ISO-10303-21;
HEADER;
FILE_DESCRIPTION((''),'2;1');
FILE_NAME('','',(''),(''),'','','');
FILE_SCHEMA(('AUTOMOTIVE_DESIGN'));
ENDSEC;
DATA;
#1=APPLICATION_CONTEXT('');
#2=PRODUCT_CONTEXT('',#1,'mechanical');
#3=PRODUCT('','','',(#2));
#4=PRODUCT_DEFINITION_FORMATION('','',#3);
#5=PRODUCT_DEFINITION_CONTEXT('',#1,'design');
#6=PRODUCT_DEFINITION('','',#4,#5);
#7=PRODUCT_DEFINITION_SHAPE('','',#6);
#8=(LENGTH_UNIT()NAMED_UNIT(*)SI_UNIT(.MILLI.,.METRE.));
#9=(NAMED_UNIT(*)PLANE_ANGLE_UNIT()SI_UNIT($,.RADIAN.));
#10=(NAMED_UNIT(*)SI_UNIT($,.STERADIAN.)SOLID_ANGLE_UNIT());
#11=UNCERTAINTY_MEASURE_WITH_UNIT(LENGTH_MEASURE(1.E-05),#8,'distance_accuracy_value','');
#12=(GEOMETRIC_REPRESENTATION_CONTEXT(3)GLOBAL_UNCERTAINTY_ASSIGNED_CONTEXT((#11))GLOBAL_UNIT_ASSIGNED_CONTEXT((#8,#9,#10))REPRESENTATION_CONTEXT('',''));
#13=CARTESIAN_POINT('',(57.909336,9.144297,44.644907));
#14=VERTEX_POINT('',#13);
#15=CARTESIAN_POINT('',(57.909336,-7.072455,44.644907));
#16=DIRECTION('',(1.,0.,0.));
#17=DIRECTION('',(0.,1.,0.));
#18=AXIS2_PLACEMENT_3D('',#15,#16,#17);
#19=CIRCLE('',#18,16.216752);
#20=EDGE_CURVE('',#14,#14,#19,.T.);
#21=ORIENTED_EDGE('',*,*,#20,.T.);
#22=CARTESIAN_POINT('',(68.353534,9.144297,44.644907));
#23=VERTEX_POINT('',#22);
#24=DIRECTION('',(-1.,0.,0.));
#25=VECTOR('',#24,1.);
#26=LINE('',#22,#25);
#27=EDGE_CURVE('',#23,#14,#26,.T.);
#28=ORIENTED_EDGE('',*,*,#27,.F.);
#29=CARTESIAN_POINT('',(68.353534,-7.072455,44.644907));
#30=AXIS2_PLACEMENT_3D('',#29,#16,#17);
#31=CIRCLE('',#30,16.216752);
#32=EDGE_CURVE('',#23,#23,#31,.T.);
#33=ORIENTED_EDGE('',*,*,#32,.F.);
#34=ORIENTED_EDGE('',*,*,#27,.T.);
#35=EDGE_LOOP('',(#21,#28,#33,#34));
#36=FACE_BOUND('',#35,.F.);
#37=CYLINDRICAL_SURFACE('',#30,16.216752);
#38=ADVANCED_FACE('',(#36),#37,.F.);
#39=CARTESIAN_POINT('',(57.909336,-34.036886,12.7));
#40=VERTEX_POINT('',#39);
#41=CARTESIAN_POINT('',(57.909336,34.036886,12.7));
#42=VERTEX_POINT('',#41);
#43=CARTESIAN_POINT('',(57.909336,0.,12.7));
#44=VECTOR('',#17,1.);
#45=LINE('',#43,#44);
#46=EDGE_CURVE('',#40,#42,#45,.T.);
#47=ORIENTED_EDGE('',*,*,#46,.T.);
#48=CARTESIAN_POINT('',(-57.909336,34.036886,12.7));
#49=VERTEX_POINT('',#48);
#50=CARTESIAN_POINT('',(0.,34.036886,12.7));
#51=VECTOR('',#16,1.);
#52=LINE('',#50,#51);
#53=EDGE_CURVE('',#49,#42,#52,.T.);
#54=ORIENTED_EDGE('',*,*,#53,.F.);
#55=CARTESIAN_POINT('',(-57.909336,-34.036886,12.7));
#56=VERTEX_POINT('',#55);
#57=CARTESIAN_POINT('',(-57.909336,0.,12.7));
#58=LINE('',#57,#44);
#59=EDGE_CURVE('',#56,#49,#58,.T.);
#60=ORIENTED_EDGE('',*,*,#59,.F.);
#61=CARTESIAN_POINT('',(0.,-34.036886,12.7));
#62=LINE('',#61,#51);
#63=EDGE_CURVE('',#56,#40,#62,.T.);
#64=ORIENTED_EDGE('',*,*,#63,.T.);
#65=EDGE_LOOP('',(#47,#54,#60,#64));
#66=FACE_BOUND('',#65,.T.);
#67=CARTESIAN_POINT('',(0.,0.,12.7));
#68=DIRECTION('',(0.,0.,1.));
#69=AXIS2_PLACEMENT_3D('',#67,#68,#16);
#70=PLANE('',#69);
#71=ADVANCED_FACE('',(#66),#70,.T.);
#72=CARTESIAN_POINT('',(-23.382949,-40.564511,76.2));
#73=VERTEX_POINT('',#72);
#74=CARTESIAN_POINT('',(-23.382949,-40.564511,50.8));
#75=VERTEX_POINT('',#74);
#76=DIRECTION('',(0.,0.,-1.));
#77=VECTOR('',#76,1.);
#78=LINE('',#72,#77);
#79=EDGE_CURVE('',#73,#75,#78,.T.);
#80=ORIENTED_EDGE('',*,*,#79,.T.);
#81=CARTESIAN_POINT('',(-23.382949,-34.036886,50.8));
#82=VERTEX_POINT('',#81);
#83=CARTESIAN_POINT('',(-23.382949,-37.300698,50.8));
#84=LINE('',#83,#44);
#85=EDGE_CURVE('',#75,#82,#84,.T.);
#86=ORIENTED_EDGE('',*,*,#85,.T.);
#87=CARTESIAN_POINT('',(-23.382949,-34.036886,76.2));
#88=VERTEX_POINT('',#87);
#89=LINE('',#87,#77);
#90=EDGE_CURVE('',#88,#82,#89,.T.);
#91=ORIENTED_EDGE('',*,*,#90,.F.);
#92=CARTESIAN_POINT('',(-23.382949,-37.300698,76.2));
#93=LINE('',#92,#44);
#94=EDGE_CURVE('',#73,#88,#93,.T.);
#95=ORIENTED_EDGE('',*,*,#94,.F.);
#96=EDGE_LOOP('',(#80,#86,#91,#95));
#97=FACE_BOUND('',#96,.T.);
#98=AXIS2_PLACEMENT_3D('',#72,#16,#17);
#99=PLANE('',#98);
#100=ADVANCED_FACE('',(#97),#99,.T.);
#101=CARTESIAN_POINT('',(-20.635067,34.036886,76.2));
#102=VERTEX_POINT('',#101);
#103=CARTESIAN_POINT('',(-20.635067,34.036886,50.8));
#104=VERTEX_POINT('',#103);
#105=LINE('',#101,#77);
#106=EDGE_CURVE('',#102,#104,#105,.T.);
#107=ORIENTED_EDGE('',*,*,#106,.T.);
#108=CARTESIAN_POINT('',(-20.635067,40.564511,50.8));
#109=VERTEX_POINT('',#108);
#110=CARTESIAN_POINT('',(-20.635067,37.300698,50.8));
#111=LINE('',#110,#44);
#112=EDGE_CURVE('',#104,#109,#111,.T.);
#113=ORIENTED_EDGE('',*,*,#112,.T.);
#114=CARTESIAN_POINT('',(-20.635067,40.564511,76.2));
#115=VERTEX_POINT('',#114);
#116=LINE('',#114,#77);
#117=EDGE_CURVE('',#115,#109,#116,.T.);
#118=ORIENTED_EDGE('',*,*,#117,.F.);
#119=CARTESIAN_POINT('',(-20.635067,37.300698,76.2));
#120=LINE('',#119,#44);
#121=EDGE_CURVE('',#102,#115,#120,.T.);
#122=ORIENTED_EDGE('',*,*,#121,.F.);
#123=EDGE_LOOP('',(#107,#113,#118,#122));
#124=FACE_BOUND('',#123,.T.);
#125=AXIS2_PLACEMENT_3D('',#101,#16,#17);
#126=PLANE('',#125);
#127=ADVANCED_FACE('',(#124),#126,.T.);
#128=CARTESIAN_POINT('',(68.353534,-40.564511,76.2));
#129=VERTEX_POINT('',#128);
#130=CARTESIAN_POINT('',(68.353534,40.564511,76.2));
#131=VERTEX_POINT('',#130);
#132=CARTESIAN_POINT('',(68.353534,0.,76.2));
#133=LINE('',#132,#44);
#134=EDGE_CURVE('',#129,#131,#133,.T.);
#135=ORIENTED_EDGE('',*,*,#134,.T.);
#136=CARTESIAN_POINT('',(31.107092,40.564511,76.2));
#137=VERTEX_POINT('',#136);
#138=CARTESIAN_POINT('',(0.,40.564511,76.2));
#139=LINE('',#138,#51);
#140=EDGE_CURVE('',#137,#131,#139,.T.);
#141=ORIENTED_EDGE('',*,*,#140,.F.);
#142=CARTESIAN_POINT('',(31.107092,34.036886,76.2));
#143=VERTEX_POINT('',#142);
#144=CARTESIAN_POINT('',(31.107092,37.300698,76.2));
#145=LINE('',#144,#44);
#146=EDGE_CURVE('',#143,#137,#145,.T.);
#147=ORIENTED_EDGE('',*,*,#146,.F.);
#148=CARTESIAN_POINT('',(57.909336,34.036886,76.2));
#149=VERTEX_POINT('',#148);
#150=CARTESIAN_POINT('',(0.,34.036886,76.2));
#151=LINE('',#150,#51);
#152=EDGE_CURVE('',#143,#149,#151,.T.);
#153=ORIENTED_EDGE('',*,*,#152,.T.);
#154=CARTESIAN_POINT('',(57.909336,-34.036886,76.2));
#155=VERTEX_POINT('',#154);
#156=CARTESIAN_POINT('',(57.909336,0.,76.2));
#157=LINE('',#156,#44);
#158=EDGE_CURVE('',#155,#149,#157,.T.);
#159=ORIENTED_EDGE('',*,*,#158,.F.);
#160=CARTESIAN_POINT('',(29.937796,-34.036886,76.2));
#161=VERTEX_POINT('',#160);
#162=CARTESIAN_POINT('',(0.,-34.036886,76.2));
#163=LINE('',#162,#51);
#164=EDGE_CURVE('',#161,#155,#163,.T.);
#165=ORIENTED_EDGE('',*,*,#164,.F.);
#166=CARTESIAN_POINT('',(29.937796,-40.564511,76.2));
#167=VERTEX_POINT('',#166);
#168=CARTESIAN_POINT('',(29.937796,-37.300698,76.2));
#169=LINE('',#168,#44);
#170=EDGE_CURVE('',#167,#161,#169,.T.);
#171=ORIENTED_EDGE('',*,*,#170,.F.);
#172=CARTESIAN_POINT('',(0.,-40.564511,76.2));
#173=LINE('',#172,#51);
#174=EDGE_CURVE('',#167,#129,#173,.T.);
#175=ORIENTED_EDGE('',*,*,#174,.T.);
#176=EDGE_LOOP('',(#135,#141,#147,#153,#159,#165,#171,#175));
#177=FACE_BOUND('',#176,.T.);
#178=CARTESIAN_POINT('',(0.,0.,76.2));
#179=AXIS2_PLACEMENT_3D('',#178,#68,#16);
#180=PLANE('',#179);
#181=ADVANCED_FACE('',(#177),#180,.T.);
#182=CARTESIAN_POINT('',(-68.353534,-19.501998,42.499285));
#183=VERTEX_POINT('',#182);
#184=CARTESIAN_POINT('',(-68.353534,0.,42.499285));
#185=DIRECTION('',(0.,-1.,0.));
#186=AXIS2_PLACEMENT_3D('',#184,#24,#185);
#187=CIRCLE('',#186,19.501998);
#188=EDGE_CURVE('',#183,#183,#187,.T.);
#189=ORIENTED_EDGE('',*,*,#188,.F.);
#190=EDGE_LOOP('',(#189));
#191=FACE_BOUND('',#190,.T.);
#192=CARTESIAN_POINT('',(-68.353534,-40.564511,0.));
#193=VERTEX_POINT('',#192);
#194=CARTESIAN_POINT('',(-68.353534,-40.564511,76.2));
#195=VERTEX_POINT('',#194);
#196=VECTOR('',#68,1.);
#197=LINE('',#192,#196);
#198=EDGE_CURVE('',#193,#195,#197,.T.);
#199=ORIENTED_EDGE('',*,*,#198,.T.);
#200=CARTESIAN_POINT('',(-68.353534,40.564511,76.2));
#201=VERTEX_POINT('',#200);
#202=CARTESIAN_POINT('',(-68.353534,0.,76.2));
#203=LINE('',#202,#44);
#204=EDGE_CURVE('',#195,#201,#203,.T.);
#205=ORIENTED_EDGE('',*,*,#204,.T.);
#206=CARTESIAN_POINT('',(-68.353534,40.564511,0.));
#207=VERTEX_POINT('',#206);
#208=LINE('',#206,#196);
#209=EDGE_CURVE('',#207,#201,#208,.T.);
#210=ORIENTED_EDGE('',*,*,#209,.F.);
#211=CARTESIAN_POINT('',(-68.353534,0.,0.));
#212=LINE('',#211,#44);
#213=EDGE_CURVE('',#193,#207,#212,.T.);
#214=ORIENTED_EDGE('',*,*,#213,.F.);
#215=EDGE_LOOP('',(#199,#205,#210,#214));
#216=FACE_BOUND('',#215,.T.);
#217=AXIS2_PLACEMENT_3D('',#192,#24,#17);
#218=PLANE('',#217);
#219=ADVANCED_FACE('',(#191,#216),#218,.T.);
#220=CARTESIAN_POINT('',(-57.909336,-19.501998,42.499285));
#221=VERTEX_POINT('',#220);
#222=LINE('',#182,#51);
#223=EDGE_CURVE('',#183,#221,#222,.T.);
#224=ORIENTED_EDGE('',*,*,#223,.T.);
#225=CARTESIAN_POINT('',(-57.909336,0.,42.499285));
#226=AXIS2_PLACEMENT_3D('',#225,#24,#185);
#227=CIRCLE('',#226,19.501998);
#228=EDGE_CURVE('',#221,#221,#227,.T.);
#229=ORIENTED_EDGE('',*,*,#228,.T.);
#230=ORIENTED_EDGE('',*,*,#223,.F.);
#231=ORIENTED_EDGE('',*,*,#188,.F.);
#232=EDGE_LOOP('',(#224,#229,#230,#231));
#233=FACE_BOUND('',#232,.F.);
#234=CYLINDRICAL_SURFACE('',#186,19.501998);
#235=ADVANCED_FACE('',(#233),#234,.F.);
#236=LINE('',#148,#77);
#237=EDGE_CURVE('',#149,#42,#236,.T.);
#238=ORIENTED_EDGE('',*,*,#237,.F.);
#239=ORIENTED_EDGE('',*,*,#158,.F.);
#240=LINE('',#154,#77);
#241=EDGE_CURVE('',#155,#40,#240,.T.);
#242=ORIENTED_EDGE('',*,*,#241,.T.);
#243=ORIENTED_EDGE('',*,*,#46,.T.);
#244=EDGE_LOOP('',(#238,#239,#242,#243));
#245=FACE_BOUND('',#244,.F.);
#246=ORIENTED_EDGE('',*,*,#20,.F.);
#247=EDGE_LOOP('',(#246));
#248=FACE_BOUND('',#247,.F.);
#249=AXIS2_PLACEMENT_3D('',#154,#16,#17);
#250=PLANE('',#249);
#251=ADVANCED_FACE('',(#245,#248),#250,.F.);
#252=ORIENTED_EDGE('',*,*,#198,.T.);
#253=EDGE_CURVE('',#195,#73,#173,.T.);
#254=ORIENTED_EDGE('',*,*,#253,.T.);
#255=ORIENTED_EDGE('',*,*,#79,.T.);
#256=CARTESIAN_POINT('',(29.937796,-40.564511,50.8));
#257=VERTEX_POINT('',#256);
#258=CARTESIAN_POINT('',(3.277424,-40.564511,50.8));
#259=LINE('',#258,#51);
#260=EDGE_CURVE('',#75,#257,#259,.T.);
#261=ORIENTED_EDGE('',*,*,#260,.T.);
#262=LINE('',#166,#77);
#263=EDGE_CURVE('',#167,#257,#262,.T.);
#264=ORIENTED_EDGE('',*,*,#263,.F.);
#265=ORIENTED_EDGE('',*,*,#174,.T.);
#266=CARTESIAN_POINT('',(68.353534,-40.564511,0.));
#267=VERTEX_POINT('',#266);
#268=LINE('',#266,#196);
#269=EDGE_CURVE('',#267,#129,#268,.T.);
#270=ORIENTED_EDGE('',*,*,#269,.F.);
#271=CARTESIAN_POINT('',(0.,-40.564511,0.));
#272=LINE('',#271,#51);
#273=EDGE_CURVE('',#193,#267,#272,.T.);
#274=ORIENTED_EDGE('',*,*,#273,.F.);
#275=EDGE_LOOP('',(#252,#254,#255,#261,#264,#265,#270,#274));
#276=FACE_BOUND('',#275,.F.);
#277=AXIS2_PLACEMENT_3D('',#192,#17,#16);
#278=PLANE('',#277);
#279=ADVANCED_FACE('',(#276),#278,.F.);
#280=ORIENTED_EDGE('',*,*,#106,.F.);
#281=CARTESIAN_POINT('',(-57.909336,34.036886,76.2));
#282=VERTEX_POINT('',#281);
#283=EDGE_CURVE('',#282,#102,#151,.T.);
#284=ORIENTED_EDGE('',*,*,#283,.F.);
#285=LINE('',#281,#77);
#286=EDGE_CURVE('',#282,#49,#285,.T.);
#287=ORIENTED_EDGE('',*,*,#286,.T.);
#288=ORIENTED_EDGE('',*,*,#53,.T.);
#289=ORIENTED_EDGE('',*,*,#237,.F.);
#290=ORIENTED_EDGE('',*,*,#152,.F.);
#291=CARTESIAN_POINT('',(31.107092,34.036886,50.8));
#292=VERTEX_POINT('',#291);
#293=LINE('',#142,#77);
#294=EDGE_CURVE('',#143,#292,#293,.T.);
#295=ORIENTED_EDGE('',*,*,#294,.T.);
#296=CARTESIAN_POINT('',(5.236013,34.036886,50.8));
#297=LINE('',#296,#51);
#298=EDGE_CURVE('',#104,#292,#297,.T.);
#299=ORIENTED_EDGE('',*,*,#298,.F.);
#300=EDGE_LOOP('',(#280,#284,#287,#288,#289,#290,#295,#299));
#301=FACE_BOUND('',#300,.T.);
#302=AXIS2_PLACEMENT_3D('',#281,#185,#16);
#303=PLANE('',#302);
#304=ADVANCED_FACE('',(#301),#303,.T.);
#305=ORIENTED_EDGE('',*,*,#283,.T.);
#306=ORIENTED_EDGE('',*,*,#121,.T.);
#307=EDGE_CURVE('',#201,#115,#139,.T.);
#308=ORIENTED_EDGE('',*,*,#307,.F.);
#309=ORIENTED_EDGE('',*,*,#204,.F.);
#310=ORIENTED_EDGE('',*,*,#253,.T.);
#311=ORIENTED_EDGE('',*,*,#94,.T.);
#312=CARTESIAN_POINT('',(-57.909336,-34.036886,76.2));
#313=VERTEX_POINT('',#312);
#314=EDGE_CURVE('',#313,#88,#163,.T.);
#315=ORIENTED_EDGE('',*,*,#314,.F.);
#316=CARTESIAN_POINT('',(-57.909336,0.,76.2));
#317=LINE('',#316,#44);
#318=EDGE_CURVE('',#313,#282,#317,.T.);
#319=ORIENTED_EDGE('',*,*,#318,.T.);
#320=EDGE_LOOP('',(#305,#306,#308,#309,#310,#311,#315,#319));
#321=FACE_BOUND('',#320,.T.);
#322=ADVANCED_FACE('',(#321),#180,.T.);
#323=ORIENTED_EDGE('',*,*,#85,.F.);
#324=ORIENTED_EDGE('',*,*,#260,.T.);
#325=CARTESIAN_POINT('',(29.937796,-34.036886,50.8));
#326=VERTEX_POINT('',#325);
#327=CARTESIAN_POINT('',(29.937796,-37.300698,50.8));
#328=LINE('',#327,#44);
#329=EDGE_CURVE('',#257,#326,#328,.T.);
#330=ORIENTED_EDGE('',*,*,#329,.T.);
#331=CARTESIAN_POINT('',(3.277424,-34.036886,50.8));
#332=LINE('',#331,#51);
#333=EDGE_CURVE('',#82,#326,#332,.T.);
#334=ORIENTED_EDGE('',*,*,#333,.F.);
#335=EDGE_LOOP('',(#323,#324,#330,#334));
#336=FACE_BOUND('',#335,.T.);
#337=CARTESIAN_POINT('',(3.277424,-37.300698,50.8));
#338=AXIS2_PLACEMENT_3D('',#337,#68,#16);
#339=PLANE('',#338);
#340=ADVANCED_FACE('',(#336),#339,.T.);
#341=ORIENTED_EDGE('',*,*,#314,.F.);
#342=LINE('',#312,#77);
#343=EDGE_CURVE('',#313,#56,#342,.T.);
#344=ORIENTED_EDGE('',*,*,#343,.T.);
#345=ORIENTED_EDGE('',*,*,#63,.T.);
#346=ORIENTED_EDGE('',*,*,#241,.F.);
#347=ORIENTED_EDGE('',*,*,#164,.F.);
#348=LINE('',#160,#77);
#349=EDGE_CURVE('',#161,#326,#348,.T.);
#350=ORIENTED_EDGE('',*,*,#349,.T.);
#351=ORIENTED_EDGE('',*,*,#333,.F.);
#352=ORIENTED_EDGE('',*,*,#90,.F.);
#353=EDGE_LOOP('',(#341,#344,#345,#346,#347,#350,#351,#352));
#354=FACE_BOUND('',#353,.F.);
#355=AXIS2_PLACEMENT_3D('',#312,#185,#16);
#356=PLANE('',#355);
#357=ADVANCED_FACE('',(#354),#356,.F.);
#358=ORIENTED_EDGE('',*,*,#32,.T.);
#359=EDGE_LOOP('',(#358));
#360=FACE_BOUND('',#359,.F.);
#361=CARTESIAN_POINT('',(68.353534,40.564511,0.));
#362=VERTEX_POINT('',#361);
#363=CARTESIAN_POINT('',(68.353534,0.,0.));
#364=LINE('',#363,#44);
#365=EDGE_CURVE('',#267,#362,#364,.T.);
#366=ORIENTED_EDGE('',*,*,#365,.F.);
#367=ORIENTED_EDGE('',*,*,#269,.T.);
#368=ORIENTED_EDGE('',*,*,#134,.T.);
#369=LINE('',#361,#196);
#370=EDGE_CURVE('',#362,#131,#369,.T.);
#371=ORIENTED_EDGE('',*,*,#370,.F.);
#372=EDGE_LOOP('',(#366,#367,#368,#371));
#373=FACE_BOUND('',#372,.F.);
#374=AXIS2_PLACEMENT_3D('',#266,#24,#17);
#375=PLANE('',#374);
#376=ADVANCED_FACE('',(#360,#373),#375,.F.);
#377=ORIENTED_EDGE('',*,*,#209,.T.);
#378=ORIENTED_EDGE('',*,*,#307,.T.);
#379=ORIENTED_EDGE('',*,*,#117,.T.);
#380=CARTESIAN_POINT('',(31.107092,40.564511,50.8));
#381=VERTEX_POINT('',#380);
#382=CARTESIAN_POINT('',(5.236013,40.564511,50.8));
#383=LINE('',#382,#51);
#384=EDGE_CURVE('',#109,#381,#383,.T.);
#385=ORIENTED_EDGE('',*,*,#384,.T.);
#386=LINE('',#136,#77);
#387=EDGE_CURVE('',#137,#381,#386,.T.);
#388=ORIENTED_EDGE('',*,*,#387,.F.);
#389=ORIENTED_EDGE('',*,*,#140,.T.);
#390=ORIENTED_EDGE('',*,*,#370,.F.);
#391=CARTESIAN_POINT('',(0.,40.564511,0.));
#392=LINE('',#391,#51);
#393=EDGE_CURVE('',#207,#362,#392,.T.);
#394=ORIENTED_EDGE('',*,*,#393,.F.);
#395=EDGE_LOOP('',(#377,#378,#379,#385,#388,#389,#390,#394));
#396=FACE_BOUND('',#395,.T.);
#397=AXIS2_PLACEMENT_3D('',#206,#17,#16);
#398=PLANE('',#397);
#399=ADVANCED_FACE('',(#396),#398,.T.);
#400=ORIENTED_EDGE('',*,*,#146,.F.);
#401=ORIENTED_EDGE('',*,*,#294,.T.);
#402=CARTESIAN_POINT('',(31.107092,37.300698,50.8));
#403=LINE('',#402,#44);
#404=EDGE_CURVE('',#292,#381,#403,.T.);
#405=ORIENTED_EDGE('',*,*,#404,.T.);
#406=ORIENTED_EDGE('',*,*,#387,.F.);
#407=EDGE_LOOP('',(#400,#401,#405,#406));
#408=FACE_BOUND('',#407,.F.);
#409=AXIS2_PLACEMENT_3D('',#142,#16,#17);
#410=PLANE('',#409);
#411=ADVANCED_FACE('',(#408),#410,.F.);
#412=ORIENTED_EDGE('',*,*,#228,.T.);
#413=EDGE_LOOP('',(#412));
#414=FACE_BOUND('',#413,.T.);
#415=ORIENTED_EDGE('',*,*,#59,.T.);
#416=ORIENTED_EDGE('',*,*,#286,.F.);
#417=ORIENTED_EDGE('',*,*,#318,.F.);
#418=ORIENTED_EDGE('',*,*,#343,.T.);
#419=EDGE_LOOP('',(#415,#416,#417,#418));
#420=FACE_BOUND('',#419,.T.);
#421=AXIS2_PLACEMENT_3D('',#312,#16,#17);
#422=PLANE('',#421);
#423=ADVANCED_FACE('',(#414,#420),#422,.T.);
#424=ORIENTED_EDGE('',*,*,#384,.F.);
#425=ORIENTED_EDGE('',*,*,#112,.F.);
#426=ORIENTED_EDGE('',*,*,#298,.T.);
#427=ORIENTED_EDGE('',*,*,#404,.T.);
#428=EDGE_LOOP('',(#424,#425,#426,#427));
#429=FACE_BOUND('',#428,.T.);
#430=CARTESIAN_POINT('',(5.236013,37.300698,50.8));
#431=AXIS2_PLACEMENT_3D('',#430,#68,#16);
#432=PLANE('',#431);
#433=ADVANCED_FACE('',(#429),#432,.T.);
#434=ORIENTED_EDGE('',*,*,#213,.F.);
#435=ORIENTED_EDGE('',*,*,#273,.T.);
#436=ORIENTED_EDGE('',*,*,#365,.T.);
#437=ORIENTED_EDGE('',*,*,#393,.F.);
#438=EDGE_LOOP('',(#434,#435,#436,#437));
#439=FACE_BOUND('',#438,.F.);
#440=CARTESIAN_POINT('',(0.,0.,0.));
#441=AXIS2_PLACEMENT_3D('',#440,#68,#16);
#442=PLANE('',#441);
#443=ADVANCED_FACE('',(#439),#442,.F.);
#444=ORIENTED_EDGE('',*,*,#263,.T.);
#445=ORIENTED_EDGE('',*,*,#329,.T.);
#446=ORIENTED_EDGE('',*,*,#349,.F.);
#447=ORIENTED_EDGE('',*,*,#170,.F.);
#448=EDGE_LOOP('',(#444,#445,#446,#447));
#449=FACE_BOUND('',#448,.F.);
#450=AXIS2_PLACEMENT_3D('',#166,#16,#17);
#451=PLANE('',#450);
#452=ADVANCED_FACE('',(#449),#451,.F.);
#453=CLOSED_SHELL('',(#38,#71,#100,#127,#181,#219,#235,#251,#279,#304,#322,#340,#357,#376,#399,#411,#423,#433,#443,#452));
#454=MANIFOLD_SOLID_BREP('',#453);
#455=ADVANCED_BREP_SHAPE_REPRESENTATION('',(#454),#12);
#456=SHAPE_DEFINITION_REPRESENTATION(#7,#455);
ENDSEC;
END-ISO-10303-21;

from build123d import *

# Parameters (mm, degrees)
F0_W      = 136.7070674896
F0_H      = 81.1290219426
F1_DEPTH  = 76.2
F2_W      = 115.8186718822
F2_H      = 68.073771894
F3_DEPTH  = 63.5
F4_W      = 51.7421588302
F4_H      = 6.5276250243
F5_DEPTH  = 25.4
F6_W      = 53.3207450062
F6_H      = 6.5276250243
F7_DEPTH  = 25.4
F8_R      = 19.5019980074
F9_DEPTH  = 25.4
F10_R     = 16.2167518515
F11_DEPTH = 25.4


with BuildPart() as f1:
    # F0 (on Top) → F1 (new body)
    with BuildSketch(Plane.XY):
        Rectangle(F0_W, F0_H)
    extrude(amount=F1_DEPTH)

    # F2 (on face) → F3 (cut)
    with BuildSketch(Plane.XY.offset(76.2)):
        Rectangle(F2_W, F2_H)
    extrude(amount=-F3_DEPTH, mode=Mode.SUBTRACT)

    # F4 (on face) → F5 (cut)
    with BuildSketch(Plane.XY.offset(76.2)):
        with Locations((5.2360128611, 37.3006984591)):
            Rectangle(F4_W, F4_H)
    extrude(amount=-F5_DEPTH, mode=Mode.SUBTRACT)

    # F6 (on face) → F7 (cut)
    with BuildSketch(Plane.XY.offset(76.2)):
        with Locations((3.2774237916, -37.3006984591)):
            Rectangle(F6_W, F6_H)
    extrude(amount=-F7_DEPTH, mode=Mode.SUBTRACT)

    # F8 (on face) → F9 (cut)
    with BuildSketch(Plane(origin=(-68.3535337448, 0, 0), x_dir=(0, -1, 0), z_dir=(-1, 0, 0))):
        with Locations((0, 42.4992851913)):
            Circle(F8_R)
    extrude(amount=-F9_DEPTH, mode=Mode.SUBTRACT)

    # F10 (on face) → F11 (cut)
    with BuildSketch(Plane.YZ.offset(68.3535337448)):
        with Locations((-7.0724547841, 44.6449071169)):
            Circle(F10_R)
    extrude(amount=-F11_DEPTH, mode=Mode.SUBTRACT)


solid = f1.part
